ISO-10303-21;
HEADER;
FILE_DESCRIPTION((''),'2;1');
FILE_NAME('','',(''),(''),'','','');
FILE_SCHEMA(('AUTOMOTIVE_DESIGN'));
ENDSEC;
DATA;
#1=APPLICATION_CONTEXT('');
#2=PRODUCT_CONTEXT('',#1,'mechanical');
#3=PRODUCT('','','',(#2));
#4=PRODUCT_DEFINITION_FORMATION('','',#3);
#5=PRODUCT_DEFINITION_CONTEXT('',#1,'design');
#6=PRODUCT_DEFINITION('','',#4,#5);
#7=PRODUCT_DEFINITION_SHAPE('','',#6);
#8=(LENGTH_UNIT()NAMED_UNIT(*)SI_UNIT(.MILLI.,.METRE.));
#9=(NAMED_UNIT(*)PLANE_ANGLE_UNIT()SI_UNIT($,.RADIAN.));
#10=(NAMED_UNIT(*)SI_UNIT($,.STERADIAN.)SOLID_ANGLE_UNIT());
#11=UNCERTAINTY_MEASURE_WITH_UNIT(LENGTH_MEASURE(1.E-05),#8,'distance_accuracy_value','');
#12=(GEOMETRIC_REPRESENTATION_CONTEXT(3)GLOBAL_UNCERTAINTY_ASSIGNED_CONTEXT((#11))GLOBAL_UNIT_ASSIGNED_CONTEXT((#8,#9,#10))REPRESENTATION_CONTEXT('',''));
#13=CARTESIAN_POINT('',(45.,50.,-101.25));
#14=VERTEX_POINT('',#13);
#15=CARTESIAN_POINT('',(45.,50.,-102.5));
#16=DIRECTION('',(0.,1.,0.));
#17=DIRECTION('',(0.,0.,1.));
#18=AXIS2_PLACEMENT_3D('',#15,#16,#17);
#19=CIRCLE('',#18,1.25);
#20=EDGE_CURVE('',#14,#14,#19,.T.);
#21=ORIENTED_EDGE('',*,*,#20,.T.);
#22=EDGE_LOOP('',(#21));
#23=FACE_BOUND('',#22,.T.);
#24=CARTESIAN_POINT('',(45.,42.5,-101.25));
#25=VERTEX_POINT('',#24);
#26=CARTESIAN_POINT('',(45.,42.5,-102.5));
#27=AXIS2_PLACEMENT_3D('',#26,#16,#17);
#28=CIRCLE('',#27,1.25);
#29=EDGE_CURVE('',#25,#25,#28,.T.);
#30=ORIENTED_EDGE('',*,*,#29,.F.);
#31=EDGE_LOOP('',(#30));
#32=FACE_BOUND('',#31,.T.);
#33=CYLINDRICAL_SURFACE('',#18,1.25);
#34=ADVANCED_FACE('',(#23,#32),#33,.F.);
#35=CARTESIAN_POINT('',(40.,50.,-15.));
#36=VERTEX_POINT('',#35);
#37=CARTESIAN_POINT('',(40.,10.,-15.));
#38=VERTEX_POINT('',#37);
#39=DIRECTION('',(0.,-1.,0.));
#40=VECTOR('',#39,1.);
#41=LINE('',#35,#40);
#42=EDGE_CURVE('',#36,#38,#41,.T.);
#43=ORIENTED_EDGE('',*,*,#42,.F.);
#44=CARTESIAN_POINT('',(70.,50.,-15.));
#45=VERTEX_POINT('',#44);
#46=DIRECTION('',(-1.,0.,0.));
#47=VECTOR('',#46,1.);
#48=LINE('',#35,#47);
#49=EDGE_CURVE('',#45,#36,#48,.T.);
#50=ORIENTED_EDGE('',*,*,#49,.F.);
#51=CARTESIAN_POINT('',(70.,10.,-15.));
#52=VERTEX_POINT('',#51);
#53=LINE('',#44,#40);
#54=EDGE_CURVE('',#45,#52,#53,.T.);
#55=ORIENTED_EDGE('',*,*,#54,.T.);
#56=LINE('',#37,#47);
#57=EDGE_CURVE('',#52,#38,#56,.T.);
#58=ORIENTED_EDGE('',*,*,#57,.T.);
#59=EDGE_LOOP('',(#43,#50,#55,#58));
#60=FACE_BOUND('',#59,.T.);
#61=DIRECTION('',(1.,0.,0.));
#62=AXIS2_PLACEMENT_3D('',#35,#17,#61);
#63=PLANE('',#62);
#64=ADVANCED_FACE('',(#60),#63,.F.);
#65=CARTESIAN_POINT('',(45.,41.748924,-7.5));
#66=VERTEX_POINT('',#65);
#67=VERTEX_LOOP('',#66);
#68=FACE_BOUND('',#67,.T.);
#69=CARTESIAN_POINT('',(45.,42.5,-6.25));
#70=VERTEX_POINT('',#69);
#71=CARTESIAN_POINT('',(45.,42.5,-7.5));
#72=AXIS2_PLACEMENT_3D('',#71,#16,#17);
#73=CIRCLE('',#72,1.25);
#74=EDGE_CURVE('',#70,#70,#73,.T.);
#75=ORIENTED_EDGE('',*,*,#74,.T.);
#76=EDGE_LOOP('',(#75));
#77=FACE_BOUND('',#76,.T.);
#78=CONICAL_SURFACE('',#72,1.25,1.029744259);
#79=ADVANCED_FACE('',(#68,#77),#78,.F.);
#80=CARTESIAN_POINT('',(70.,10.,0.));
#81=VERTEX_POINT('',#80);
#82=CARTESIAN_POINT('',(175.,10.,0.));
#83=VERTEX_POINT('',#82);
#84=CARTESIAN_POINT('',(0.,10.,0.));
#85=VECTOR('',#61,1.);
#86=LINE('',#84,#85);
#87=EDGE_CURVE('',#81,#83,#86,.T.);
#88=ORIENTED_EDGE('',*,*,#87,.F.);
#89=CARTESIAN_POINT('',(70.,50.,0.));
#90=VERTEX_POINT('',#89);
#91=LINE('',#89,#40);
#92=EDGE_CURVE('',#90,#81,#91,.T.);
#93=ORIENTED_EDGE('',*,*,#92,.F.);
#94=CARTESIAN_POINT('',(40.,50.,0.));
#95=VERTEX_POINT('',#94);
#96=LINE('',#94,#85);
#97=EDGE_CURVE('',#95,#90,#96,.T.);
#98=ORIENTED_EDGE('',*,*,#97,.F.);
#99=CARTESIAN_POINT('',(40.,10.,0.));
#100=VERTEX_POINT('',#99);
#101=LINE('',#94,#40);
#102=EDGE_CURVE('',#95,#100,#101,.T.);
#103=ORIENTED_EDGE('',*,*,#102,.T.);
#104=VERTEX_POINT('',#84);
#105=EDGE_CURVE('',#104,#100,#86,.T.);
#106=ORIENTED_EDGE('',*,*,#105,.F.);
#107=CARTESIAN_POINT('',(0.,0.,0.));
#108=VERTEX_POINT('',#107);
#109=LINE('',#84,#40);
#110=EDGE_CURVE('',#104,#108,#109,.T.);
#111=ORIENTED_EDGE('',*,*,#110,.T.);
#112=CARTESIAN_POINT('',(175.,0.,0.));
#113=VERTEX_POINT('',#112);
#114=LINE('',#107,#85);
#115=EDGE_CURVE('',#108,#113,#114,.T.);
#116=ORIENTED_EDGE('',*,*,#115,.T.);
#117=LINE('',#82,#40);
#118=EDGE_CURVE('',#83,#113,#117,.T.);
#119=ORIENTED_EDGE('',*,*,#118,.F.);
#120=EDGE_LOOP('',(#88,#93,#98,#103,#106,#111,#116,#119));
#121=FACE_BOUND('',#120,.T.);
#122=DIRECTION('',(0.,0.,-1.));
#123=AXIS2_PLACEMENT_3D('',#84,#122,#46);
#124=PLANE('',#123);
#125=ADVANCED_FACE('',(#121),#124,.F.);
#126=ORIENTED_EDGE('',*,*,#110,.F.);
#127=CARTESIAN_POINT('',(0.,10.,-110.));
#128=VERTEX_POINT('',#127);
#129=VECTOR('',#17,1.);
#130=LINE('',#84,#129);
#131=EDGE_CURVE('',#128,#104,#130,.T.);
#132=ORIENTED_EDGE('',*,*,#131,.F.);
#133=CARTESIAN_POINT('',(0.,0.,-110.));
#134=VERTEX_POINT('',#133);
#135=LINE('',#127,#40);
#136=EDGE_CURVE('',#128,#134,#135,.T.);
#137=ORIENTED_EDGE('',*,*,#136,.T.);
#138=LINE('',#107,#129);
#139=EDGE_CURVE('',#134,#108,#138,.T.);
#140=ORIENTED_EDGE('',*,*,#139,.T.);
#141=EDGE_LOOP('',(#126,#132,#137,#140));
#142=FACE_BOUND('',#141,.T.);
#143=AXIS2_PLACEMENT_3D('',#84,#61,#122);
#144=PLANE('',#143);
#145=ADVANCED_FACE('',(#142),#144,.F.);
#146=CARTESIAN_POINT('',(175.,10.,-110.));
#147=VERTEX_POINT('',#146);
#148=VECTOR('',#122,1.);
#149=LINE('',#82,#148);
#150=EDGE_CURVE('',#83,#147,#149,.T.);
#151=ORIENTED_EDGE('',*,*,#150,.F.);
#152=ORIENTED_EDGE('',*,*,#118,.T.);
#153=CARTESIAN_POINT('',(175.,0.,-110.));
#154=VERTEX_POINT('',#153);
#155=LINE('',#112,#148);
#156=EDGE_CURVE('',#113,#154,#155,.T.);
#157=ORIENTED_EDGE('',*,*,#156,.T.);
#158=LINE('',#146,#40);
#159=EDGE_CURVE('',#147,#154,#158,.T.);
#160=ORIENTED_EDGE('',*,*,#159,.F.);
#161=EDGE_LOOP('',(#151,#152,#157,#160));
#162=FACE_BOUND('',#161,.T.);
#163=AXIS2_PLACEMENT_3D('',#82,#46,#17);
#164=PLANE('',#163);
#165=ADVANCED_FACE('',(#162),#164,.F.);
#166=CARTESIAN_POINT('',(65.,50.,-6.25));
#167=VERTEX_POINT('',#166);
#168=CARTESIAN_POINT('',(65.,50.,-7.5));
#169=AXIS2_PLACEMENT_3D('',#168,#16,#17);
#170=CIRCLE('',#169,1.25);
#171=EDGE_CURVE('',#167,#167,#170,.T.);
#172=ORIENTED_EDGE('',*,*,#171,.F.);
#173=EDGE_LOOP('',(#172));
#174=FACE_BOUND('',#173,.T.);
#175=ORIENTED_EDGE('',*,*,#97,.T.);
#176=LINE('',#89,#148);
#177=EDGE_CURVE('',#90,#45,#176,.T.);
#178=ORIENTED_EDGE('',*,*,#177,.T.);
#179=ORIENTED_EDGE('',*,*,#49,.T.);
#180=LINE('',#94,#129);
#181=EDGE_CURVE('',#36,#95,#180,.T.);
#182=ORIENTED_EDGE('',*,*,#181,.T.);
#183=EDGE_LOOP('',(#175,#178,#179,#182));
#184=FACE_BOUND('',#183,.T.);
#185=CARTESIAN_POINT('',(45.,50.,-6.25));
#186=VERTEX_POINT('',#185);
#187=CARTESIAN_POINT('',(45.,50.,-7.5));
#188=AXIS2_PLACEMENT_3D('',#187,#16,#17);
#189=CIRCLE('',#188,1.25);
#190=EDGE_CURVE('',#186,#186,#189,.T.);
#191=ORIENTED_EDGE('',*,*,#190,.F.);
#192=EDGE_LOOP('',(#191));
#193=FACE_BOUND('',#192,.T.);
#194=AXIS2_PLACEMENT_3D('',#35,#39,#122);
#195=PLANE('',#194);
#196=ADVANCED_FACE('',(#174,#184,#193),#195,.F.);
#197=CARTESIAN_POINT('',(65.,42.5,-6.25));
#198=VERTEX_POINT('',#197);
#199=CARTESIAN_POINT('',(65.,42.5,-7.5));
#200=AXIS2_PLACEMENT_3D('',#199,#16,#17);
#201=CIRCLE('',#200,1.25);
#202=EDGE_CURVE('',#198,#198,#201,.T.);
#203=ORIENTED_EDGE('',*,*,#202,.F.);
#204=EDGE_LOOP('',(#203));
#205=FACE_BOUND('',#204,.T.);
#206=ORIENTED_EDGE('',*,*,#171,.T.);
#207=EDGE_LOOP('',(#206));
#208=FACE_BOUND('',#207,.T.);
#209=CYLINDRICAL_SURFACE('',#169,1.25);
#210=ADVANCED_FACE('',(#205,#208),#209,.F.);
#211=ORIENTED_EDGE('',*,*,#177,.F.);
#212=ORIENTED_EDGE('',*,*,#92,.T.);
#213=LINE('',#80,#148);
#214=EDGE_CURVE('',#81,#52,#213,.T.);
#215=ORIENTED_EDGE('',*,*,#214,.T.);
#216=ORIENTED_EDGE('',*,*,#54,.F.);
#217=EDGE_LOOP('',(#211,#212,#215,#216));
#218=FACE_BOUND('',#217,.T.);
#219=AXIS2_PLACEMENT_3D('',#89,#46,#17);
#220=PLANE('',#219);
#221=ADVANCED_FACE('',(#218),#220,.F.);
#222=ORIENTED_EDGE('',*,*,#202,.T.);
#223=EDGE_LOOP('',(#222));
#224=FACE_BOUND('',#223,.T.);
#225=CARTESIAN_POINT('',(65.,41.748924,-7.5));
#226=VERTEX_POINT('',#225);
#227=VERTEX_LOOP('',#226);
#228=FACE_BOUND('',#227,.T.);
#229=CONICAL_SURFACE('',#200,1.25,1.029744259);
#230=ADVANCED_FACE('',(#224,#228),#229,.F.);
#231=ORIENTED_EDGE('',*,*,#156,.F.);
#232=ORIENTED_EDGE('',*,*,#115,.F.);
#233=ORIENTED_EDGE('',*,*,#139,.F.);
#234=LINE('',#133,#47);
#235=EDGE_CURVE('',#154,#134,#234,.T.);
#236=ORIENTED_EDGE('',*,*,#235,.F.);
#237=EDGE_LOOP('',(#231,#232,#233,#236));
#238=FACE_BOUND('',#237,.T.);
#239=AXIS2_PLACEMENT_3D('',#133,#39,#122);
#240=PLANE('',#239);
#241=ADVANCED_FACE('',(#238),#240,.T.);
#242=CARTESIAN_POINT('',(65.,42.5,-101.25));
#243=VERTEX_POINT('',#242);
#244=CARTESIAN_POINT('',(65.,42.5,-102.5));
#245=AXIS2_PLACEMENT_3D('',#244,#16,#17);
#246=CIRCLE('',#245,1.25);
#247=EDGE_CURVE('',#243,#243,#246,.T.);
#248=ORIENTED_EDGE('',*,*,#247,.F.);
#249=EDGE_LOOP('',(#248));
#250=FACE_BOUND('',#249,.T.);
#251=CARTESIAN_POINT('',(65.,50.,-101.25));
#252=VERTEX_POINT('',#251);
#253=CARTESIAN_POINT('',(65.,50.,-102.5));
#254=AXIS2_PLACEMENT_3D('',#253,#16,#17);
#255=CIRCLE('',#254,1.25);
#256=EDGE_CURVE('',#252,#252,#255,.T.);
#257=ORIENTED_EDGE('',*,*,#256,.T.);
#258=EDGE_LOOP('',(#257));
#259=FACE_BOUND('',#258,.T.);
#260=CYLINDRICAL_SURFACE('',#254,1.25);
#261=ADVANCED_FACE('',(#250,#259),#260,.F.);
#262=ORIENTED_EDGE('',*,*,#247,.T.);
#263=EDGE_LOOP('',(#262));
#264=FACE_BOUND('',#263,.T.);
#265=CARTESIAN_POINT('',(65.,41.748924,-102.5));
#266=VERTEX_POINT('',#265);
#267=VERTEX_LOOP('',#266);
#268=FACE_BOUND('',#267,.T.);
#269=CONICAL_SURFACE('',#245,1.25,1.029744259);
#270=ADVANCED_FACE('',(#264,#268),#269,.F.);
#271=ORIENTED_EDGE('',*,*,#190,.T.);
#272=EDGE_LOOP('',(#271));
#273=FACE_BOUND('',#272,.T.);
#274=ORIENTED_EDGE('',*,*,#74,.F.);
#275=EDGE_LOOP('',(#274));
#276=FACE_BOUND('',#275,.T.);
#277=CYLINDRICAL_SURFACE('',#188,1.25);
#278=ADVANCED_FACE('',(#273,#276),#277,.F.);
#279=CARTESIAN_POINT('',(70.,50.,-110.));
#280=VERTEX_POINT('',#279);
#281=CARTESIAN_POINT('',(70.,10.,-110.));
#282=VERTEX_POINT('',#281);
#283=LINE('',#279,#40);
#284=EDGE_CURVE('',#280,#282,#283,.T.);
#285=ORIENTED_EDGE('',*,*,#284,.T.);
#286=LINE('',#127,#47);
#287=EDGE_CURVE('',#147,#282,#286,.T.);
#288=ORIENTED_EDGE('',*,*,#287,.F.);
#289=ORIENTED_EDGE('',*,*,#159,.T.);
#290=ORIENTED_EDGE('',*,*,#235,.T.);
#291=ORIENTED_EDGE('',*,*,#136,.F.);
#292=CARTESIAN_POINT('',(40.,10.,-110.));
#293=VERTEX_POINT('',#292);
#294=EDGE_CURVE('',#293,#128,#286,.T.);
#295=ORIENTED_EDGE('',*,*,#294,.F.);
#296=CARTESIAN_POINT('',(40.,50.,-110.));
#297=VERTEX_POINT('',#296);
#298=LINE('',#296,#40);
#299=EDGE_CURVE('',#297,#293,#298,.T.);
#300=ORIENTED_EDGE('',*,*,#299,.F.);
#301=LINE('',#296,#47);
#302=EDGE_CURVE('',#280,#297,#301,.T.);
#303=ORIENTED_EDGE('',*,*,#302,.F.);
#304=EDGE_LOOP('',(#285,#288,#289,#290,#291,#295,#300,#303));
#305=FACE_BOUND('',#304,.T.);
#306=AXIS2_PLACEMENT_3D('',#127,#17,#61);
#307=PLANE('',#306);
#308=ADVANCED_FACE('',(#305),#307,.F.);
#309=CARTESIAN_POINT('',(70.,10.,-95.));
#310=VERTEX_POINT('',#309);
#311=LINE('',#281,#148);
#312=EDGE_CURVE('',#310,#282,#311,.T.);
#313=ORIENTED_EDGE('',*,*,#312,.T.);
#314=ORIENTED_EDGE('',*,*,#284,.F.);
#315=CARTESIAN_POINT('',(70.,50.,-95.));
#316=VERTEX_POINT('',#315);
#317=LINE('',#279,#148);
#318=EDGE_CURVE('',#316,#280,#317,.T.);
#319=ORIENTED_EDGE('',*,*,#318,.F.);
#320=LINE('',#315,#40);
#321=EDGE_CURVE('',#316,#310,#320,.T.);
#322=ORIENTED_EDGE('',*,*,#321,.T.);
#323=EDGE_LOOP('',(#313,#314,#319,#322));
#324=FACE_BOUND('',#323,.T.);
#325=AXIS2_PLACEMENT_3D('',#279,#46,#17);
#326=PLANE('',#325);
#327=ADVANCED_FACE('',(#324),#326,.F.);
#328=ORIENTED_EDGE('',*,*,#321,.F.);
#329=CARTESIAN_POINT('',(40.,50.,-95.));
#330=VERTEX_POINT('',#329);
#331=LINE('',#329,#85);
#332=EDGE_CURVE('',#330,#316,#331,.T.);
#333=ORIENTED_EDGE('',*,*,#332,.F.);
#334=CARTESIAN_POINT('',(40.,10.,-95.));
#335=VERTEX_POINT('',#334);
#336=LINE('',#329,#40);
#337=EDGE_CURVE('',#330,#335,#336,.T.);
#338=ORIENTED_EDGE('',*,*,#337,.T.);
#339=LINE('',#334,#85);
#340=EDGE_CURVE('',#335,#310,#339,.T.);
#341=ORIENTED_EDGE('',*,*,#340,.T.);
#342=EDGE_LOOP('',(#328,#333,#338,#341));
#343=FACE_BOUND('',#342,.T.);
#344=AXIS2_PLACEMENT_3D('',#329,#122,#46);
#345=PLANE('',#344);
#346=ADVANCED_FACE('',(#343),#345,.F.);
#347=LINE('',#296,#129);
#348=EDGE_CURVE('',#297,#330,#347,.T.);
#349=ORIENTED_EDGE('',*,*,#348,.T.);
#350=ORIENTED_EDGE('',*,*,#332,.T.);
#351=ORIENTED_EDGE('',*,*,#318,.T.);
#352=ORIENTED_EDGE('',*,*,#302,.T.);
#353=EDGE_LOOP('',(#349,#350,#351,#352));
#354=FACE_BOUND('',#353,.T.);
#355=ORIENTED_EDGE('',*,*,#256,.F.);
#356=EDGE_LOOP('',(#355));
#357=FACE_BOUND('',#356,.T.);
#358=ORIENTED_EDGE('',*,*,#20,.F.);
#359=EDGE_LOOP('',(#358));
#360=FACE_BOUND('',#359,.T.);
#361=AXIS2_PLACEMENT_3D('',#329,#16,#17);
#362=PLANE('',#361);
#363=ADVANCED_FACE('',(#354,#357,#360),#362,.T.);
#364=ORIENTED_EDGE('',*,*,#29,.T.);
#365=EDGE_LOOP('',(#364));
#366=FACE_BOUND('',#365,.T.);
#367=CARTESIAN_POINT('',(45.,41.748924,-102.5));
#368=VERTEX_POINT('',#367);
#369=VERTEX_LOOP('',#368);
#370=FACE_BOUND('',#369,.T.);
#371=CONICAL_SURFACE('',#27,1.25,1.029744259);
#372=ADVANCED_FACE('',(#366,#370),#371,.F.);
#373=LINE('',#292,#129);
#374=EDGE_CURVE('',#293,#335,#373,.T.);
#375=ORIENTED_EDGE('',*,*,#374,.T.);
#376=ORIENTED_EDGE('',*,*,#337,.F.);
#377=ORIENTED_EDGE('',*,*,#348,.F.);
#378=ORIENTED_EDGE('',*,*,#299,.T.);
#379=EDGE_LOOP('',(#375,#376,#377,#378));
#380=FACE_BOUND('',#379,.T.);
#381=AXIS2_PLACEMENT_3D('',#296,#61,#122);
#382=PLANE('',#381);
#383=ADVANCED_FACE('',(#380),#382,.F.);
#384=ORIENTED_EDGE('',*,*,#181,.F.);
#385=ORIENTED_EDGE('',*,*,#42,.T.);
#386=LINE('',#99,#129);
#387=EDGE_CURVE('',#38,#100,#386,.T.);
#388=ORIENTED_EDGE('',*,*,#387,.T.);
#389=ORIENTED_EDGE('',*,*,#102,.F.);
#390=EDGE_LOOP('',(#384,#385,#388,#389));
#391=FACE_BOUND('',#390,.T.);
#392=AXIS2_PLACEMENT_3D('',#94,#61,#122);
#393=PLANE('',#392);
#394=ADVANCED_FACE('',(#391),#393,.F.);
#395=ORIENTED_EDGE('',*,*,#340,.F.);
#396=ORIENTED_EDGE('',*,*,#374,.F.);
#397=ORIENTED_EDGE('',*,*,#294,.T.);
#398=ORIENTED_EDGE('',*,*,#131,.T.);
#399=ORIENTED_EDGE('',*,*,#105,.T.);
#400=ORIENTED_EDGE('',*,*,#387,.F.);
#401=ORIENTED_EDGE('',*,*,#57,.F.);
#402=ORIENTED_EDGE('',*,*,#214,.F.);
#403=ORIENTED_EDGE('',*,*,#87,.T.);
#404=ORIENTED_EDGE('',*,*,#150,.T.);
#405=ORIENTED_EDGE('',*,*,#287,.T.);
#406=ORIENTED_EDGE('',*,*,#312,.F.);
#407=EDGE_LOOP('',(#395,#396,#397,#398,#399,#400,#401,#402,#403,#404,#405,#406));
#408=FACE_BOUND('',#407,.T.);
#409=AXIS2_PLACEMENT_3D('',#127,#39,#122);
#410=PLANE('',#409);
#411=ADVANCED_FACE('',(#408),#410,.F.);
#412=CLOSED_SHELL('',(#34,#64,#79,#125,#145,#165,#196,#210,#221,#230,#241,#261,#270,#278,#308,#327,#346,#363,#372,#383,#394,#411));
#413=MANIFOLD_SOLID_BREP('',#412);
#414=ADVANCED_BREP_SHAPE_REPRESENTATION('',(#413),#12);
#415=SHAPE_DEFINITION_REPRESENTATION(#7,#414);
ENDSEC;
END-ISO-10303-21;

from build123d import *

# Parameters (mm, degrees)
SKETCH1_W                 = 175
SKETCH1_H                 = 110
BOSS_EXTRUDE1_DEPTH       = 10
SKETCH3_W                 = 30
SKETCH3_H                 = 15
BOSS_EXTRUDE2_DEPTH       = 40
M3X0_5_TAPPED_HOLE1_D     = 2.5
M3X0_5_TAPPED_HOLE1_DEPTH = 7.5
M3X0_5_TAPPED_HOLE1_TIP   = 0.751075774


with BuildPart() as part:
    # Sketch1 → Boss-Extrude1 (new body)
    with BuildSketch(Plane(origin=(0, 0, 0), x_dir=(1, 0, 0), z_dir=(0, 1, 0))):
        with Locations((87.5, 55)):
            Rectangle(SKETCH1_W, SKETCH1_H)
    extrude(amount=BOSS_EXTRUDE1_DEPTH)

    # Sketch3 → Boss-Extrude2 (add)
    with BuildSketch(Plane(origin=(0, 10, 0), x_dir=(1, 0, 0), z_dir=(0, 1, 0))):
        with Locations((55, 7.5)):
            Rectangle(SKETCH3_W, SKETCH3_H)
        with Locations((55, 102.5)):
            Rectangle(SKETCH3_W, SKETCH3_H)
    extrude(amount=BOSS_EXTRUDE2_DEPTH)

    # M3x0.5 Tapped Hole1
    with Locations(Plane(origin=(0, 50, 0), x_dir=(-1, 0, 0), z_dir=(0, 1, 0))):
        with Locations((-45, -7.5), (-65, -7.5), (-45, -102.5), (-65, -102.5)):
            Hole(M3X0_5_TAPPED_HOLE1_D / 2, depth=M3X0_5_TAPPED_HOLE1_DEPTH)
            with Locations((0, 0, -(M3X0_5_TAPPED_HOLE1_DEPTH + M3X0_5_TAPPED_HOLE1_TIP / 2))):  # 118° drill point
                Cone(0, M3X0_5_TAPPED_HOLE1_D / 2, M3X0_5_TAPPED_HOLE1_TIP, mode=Mode.SUBTRACT)


solid = part.part
